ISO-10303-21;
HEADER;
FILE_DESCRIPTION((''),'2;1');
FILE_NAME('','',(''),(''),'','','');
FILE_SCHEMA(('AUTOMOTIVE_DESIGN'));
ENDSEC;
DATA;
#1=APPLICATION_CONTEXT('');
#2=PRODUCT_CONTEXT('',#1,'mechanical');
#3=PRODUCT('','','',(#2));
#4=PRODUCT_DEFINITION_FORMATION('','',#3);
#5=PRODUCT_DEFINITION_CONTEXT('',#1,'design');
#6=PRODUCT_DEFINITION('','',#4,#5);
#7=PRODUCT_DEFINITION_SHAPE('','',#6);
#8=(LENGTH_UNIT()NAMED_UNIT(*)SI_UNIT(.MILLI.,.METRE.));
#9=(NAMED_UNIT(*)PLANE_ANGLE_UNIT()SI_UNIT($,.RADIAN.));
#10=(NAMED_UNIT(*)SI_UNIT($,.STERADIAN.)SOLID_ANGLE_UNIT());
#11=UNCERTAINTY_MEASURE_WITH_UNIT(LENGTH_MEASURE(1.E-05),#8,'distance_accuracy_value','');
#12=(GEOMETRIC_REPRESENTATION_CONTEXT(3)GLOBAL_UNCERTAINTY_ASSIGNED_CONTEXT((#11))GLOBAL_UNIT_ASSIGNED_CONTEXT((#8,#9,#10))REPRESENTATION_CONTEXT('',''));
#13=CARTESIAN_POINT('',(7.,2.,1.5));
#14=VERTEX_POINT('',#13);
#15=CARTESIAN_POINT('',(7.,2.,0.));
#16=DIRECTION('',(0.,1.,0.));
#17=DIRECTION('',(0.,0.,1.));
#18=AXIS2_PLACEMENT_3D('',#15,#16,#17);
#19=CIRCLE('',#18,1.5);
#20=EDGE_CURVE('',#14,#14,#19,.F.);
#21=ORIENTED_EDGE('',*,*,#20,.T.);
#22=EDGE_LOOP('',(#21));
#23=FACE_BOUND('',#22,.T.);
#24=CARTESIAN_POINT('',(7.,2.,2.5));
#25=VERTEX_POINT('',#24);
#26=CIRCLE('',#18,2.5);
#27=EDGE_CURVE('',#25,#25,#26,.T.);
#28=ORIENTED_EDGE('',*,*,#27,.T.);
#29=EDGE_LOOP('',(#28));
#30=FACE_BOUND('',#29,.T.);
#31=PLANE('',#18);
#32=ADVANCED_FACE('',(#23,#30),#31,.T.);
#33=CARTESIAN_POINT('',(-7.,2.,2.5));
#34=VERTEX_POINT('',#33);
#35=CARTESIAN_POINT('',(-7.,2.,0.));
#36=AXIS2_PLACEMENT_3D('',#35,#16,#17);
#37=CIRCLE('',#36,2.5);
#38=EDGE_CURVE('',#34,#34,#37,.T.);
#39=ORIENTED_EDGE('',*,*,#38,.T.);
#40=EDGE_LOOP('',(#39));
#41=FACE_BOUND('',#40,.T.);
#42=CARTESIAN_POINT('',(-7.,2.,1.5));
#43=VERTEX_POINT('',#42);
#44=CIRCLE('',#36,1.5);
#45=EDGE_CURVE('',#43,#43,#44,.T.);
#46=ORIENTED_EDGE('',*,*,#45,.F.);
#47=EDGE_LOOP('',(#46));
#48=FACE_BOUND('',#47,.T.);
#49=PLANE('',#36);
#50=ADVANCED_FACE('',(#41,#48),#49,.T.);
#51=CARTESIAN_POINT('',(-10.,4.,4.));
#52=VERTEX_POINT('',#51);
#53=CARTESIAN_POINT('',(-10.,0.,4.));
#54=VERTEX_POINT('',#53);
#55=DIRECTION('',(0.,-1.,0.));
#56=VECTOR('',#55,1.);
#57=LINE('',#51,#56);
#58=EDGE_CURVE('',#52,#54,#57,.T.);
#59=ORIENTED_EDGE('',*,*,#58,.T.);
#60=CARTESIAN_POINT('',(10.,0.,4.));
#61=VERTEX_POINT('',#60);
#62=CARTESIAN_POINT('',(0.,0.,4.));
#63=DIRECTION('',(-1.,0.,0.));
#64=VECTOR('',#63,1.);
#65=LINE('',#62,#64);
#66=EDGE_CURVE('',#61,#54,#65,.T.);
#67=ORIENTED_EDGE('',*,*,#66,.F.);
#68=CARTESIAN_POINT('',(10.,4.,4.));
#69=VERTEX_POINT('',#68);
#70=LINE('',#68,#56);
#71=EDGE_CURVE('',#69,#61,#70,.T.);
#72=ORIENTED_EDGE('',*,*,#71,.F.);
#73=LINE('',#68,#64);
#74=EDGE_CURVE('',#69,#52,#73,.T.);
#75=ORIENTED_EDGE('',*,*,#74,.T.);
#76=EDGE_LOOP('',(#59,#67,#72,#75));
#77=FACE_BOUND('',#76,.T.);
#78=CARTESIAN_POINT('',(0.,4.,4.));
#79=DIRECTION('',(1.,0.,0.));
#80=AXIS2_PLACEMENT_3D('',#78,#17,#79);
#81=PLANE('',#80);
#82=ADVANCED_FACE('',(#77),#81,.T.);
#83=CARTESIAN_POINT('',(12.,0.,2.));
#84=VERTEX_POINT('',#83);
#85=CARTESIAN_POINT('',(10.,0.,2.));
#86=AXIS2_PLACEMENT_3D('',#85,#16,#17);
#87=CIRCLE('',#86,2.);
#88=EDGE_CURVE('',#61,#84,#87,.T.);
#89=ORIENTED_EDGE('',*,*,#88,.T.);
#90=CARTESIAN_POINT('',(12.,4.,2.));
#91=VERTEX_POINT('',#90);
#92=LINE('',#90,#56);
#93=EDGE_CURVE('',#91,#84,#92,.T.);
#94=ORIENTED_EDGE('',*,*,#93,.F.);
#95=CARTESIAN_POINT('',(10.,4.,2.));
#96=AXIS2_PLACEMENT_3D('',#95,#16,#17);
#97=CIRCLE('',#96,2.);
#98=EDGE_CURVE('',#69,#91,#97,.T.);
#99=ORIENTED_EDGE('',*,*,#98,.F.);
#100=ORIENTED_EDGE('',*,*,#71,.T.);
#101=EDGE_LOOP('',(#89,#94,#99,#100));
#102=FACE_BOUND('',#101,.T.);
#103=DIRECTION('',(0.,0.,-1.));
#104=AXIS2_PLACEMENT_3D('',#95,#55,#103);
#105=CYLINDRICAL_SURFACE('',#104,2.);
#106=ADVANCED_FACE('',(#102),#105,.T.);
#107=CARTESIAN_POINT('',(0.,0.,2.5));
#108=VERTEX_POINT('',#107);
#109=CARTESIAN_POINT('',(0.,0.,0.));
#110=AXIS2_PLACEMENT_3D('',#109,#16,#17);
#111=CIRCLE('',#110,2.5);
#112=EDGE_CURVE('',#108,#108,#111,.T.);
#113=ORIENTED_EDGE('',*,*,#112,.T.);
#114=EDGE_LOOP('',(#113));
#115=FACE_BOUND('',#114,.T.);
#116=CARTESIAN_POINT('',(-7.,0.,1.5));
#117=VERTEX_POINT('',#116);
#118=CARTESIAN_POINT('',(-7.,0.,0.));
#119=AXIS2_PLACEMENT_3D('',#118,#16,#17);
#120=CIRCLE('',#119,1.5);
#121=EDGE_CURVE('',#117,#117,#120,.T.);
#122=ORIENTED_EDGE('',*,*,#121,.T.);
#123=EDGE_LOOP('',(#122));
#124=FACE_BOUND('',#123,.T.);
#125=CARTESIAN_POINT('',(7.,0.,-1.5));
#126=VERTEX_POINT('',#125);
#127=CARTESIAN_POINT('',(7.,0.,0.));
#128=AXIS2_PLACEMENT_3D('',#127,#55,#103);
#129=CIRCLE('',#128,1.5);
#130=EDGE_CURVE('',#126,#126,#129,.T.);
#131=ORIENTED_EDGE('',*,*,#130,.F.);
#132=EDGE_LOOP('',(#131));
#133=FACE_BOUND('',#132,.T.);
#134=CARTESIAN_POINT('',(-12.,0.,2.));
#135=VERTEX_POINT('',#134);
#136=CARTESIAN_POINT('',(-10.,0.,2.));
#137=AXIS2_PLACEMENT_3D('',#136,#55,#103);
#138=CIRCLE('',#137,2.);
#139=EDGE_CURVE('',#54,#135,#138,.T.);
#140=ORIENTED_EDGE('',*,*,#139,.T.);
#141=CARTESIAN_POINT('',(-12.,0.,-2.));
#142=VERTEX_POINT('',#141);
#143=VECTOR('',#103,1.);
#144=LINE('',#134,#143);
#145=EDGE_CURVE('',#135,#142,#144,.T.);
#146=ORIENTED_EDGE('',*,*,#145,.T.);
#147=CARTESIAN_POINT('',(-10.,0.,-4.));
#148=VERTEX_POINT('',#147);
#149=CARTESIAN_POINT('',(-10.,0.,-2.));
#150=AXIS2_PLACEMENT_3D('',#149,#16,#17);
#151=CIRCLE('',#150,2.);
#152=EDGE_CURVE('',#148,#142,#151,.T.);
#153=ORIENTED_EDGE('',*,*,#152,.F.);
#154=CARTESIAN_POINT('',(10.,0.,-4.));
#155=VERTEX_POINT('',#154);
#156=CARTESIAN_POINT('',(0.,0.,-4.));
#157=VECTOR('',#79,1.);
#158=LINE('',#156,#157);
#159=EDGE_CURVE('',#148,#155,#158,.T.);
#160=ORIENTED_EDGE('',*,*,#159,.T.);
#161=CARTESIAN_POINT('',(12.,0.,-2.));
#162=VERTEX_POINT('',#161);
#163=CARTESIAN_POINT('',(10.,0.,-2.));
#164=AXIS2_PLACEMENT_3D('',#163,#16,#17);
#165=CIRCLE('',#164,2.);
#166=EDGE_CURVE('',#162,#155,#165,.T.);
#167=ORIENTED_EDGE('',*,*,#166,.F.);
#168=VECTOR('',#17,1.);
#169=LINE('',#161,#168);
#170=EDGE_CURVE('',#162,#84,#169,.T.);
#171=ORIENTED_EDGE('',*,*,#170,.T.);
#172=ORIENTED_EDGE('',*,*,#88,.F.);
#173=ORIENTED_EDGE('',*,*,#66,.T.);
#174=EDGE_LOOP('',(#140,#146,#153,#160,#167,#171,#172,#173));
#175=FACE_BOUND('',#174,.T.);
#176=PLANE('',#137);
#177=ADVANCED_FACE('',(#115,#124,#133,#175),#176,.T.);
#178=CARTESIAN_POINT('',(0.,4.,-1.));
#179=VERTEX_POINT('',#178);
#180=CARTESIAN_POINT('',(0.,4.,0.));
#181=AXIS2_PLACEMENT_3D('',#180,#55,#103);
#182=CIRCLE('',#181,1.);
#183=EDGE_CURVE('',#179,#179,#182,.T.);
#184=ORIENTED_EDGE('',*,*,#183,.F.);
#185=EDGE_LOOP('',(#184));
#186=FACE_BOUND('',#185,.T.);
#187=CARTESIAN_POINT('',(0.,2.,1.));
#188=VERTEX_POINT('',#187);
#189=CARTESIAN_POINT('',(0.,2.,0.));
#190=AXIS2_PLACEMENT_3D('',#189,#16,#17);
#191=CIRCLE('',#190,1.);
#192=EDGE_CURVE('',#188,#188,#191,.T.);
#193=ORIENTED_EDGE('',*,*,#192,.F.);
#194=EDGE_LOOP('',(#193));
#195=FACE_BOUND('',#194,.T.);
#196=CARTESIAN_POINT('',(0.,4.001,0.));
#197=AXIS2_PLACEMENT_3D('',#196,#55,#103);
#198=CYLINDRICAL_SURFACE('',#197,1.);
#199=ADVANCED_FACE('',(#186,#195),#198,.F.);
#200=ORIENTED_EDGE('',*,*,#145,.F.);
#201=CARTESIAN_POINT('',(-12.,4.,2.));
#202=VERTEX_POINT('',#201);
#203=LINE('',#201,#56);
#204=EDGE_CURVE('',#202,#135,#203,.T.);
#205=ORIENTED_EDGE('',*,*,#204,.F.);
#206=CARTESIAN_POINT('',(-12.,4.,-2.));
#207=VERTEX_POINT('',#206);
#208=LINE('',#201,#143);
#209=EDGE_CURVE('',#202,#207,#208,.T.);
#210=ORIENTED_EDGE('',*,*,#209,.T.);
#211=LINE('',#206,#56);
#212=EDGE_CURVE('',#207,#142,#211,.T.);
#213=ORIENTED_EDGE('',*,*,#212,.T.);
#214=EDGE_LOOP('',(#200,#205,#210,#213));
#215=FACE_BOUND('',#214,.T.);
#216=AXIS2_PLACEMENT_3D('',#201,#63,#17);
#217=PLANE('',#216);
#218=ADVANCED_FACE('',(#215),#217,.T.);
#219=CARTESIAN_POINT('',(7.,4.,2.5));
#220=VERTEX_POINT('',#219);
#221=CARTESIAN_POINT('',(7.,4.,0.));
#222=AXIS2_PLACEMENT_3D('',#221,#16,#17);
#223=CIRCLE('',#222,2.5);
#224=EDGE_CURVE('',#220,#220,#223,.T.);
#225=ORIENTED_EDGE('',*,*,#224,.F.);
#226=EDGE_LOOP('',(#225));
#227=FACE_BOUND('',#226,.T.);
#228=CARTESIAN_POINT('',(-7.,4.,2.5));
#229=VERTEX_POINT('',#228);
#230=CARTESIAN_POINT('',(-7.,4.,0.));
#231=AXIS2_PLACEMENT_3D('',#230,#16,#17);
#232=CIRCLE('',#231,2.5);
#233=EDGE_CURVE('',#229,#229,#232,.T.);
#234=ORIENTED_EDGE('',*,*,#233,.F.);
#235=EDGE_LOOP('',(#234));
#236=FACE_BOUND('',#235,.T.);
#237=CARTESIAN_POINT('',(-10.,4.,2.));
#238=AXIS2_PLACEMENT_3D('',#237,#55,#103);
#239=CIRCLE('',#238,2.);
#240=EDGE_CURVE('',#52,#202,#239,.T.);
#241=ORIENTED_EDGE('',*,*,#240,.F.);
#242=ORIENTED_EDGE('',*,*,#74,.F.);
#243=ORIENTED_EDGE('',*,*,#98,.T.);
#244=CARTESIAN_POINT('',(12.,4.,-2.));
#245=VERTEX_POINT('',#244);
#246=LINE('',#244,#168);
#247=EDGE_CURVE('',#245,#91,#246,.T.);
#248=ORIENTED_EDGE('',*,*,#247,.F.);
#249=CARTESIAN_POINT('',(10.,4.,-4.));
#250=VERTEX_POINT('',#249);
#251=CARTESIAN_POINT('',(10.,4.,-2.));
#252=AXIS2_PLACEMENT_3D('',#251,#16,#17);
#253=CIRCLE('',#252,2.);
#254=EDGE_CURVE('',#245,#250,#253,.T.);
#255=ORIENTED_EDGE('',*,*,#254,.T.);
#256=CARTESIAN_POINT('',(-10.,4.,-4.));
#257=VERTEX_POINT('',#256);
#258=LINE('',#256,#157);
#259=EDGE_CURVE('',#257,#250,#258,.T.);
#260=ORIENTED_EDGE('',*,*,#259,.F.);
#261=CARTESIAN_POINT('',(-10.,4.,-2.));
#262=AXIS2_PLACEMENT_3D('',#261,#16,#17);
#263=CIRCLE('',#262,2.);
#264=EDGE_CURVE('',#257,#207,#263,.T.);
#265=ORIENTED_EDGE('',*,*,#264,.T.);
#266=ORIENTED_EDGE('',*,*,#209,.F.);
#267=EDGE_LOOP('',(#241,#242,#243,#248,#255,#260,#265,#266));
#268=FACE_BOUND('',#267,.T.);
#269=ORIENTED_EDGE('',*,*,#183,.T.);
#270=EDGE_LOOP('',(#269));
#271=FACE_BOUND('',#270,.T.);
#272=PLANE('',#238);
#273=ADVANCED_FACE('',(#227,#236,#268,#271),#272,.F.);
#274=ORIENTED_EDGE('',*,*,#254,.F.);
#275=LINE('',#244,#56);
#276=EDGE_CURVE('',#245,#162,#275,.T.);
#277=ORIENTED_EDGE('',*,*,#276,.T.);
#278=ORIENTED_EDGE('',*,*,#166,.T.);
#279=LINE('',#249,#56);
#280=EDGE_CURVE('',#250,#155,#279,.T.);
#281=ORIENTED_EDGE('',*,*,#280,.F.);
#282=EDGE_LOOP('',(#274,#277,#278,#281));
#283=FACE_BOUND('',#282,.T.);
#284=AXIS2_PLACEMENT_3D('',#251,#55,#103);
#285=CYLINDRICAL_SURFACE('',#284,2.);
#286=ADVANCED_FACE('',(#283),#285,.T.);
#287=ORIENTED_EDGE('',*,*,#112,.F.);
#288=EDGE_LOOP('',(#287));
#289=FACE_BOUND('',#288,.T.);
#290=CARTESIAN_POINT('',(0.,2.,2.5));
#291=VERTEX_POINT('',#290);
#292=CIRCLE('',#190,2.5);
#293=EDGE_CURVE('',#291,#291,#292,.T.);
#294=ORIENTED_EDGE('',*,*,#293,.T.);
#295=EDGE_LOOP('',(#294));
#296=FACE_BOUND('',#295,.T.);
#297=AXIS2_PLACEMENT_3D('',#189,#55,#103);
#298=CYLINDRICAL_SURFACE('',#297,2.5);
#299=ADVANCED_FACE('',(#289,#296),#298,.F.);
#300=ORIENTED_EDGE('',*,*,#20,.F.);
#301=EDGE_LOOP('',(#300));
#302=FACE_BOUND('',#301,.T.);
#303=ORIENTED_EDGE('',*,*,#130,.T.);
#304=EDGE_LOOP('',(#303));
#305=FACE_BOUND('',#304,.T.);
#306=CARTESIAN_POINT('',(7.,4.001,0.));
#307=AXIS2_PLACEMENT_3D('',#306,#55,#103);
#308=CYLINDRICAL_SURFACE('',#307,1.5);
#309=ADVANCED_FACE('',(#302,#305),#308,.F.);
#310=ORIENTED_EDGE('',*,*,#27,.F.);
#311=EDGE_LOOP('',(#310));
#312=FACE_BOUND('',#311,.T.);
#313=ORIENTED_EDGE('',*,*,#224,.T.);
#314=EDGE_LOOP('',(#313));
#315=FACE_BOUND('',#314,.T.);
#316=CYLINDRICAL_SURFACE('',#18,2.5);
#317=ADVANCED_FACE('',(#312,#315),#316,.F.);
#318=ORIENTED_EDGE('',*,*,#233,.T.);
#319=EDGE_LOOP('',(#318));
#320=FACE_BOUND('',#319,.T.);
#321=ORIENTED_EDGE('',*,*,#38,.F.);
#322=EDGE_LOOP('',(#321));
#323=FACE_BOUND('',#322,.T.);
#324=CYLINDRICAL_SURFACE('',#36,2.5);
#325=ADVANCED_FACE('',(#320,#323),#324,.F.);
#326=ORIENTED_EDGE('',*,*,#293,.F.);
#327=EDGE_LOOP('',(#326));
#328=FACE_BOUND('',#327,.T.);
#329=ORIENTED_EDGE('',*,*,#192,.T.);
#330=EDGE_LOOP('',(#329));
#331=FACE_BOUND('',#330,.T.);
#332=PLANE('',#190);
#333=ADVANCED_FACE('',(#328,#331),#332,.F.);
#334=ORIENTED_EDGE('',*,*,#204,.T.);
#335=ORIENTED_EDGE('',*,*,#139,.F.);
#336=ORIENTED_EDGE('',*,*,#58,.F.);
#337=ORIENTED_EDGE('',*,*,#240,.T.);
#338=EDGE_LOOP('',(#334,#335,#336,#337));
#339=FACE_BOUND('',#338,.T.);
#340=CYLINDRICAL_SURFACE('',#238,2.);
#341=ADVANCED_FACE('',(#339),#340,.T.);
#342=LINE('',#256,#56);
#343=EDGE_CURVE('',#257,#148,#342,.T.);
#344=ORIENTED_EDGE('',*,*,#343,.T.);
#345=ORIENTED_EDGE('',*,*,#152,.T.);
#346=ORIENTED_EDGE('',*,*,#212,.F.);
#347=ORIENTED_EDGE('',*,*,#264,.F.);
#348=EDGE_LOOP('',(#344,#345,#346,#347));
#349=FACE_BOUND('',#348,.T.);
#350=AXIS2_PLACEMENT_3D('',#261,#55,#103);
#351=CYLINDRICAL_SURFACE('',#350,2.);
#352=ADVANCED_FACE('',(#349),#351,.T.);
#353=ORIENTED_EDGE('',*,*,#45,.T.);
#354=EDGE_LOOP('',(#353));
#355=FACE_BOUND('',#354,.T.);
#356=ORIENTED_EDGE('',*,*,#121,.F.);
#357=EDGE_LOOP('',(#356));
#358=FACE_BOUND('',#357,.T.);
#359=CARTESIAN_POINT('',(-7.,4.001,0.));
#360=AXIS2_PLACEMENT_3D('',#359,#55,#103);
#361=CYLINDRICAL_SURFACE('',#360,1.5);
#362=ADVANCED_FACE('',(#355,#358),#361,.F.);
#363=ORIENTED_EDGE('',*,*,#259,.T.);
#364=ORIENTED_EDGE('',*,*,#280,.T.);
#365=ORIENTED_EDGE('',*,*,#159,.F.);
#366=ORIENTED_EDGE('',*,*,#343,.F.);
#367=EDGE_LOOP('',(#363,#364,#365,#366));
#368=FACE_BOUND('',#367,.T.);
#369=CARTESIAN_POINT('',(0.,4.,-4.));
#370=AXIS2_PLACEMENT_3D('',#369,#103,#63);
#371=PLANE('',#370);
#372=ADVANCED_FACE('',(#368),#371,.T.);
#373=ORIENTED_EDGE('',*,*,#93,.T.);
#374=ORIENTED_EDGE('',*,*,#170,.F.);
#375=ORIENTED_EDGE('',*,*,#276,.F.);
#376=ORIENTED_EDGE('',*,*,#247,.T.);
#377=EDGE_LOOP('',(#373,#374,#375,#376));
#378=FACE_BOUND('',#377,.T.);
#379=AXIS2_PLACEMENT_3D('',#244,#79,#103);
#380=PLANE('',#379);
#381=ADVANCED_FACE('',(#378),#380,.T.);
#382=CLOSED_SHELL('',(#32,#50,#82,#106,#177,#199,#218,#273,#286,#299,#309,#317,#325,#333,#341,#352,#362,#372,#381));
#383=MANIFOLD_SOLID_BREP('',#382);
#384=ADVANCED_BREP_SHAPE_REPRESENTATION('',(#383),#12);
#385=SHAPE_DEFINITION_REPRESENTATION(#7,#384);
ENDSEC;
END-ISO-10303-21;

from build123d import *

# Parameters (mm, degrees)
BOSS_EXTRUDE1_DEPTH = 4
CUT_EXTRUDE1_REACH  = 15.266
SKETCH1_3_R         = 1
SKETCH1_3_R_2       = 1.5
SKETCH1_4_R         = 2.5
CUT_EXTRUDE2_DEPTH  = 2
SKETCH2_R           = 2.5
CUT_EXTRUDE3_DEPTH  = 2


with BuildPart() as part:
    # Sketch1 → Boss-Extrude1 (new body)
    with BuildSketch(Plane(origin=(0, 0, 0), x_dir=(1, 0, 0), z_dir=(0, 1, 0))):
        with BuildLine():
            Line((0, 4), (10, 4))
            ThreePointArc((10, 4), (11.414213562, 3.414213562), (12, 2))
            Line((12, 2), (12, -2))
            ThreePointArc((12, -2), (11.414213562, -3.414213562), (10, -4))
            Line((10, -4), (0, -4))
            Line((0, -4), (-10, -4))
            ThreePointArc((-10, -4), (-11.414213562, -3.414213562), (-12, -2))
            Line((-12, -2), (-12, 2))
            ThreePointArc((-12, 2), (-11.414213562, 3.414213562), (-10, 4))
            Line((-10, 4), (0, 4))
        make_face()
    extrude(amount=BOSS_EXTRUDE1_DEPTH)

    # Sketch1<3> → Cut-Extrude1 (cut, up to next)
    with BuildSketch(Plane(origin=(0, 0, 0), x_dir=(1, 0, 0), z_dir=(0, 1, 0)), mode=Mode.PRIVATE) as cut_extrude1_sk1:
        Circle(SKETCH1_3_R)
    cut_extrude1_tool1 = extrude(cut_extrude1_sk1.sketch, amount=CUT_EXTRUDE1_REACH, mode=Mode.PRIVATE) & part.part
    # Sketch1<3> → Cut-Extrude1 (cut, up to next)
    with BuildSketch(Plane(origin=(0, 0, 0), x_dir=(1, 0, 0), z_dir=(0, 1, 0)), mode=Mode.PRIVATE) as cut_extrude1_sk2:
        with Locations((-7, 0)):
            Circle(SKETCH1_3_R_2)
    cut_extrude1_tool2 = extrude(cut_extrude1_sk2.sketch, amount=CUT_EXTRUDE1_REACH, mode=Mode.PRIVATE) & part.part
    # Sketch1<3> → Cut-Extrude1 (cut, up to next)
    with BuildSketch(Plane(origin=(0, 0, 0), x_dir=(1, 0, 0), z_dir=(0, 1, 0)), mode=Mode.PRIVATE) as cut_extrude1_sk3:
        with Locations((7, 0)):
            Circle(SKETCH1_3_R_2)
    cut_extrude1_tool3 = extrude(cut_extrude1_sk3.sketch, amount=CUT_EXTRUDE1_REACH, mode=Mode.PRIVATE) & part.part
    add(cut_extrude1_tool1.solids().sort_by_distance((0, 0, 0))[0], mode=Mode.SUBTRACT)
    add(cut_extrude1_tool2.solids().sort_by_distance((-7, 0, 0))[0], mode=Mode.SUBTRACT)
    add(cut_extrude1_tool3.solids().sort_by_distance((7, 0, 0))[0], mode=Mode.SUBTRACT)

    # Sketch1<4> → Cut-Extrude2 (cut)
    with BuildSketch(Plane(origin=(0, 0, 0), x_dir=(1, 0, 0), z_dir=(0, 1, 0))):
        Circle(SKETCH1_4_R)
    extrude(amount=CUT_EXTRUDE2_DEPTH, mode=Mode.SUBTRACT)

    # Sketch2 → Cut-Extrude3 (cut)
    with BuildSketch(Plane(origin=(0, 4, 0), x_dir=(1, 0, 0), z_dir=(0, 1, 0))):
        with Locations((-7, 0)):
            Circle(SKETCH2_R)
        with Locations((7, 0)):
            Circle(SKETCH2_R)
    extrude(amount=-CUT_EXTRUDE3_DEPTH, mode=Mode.SUBTRACT)


solid = part.part
